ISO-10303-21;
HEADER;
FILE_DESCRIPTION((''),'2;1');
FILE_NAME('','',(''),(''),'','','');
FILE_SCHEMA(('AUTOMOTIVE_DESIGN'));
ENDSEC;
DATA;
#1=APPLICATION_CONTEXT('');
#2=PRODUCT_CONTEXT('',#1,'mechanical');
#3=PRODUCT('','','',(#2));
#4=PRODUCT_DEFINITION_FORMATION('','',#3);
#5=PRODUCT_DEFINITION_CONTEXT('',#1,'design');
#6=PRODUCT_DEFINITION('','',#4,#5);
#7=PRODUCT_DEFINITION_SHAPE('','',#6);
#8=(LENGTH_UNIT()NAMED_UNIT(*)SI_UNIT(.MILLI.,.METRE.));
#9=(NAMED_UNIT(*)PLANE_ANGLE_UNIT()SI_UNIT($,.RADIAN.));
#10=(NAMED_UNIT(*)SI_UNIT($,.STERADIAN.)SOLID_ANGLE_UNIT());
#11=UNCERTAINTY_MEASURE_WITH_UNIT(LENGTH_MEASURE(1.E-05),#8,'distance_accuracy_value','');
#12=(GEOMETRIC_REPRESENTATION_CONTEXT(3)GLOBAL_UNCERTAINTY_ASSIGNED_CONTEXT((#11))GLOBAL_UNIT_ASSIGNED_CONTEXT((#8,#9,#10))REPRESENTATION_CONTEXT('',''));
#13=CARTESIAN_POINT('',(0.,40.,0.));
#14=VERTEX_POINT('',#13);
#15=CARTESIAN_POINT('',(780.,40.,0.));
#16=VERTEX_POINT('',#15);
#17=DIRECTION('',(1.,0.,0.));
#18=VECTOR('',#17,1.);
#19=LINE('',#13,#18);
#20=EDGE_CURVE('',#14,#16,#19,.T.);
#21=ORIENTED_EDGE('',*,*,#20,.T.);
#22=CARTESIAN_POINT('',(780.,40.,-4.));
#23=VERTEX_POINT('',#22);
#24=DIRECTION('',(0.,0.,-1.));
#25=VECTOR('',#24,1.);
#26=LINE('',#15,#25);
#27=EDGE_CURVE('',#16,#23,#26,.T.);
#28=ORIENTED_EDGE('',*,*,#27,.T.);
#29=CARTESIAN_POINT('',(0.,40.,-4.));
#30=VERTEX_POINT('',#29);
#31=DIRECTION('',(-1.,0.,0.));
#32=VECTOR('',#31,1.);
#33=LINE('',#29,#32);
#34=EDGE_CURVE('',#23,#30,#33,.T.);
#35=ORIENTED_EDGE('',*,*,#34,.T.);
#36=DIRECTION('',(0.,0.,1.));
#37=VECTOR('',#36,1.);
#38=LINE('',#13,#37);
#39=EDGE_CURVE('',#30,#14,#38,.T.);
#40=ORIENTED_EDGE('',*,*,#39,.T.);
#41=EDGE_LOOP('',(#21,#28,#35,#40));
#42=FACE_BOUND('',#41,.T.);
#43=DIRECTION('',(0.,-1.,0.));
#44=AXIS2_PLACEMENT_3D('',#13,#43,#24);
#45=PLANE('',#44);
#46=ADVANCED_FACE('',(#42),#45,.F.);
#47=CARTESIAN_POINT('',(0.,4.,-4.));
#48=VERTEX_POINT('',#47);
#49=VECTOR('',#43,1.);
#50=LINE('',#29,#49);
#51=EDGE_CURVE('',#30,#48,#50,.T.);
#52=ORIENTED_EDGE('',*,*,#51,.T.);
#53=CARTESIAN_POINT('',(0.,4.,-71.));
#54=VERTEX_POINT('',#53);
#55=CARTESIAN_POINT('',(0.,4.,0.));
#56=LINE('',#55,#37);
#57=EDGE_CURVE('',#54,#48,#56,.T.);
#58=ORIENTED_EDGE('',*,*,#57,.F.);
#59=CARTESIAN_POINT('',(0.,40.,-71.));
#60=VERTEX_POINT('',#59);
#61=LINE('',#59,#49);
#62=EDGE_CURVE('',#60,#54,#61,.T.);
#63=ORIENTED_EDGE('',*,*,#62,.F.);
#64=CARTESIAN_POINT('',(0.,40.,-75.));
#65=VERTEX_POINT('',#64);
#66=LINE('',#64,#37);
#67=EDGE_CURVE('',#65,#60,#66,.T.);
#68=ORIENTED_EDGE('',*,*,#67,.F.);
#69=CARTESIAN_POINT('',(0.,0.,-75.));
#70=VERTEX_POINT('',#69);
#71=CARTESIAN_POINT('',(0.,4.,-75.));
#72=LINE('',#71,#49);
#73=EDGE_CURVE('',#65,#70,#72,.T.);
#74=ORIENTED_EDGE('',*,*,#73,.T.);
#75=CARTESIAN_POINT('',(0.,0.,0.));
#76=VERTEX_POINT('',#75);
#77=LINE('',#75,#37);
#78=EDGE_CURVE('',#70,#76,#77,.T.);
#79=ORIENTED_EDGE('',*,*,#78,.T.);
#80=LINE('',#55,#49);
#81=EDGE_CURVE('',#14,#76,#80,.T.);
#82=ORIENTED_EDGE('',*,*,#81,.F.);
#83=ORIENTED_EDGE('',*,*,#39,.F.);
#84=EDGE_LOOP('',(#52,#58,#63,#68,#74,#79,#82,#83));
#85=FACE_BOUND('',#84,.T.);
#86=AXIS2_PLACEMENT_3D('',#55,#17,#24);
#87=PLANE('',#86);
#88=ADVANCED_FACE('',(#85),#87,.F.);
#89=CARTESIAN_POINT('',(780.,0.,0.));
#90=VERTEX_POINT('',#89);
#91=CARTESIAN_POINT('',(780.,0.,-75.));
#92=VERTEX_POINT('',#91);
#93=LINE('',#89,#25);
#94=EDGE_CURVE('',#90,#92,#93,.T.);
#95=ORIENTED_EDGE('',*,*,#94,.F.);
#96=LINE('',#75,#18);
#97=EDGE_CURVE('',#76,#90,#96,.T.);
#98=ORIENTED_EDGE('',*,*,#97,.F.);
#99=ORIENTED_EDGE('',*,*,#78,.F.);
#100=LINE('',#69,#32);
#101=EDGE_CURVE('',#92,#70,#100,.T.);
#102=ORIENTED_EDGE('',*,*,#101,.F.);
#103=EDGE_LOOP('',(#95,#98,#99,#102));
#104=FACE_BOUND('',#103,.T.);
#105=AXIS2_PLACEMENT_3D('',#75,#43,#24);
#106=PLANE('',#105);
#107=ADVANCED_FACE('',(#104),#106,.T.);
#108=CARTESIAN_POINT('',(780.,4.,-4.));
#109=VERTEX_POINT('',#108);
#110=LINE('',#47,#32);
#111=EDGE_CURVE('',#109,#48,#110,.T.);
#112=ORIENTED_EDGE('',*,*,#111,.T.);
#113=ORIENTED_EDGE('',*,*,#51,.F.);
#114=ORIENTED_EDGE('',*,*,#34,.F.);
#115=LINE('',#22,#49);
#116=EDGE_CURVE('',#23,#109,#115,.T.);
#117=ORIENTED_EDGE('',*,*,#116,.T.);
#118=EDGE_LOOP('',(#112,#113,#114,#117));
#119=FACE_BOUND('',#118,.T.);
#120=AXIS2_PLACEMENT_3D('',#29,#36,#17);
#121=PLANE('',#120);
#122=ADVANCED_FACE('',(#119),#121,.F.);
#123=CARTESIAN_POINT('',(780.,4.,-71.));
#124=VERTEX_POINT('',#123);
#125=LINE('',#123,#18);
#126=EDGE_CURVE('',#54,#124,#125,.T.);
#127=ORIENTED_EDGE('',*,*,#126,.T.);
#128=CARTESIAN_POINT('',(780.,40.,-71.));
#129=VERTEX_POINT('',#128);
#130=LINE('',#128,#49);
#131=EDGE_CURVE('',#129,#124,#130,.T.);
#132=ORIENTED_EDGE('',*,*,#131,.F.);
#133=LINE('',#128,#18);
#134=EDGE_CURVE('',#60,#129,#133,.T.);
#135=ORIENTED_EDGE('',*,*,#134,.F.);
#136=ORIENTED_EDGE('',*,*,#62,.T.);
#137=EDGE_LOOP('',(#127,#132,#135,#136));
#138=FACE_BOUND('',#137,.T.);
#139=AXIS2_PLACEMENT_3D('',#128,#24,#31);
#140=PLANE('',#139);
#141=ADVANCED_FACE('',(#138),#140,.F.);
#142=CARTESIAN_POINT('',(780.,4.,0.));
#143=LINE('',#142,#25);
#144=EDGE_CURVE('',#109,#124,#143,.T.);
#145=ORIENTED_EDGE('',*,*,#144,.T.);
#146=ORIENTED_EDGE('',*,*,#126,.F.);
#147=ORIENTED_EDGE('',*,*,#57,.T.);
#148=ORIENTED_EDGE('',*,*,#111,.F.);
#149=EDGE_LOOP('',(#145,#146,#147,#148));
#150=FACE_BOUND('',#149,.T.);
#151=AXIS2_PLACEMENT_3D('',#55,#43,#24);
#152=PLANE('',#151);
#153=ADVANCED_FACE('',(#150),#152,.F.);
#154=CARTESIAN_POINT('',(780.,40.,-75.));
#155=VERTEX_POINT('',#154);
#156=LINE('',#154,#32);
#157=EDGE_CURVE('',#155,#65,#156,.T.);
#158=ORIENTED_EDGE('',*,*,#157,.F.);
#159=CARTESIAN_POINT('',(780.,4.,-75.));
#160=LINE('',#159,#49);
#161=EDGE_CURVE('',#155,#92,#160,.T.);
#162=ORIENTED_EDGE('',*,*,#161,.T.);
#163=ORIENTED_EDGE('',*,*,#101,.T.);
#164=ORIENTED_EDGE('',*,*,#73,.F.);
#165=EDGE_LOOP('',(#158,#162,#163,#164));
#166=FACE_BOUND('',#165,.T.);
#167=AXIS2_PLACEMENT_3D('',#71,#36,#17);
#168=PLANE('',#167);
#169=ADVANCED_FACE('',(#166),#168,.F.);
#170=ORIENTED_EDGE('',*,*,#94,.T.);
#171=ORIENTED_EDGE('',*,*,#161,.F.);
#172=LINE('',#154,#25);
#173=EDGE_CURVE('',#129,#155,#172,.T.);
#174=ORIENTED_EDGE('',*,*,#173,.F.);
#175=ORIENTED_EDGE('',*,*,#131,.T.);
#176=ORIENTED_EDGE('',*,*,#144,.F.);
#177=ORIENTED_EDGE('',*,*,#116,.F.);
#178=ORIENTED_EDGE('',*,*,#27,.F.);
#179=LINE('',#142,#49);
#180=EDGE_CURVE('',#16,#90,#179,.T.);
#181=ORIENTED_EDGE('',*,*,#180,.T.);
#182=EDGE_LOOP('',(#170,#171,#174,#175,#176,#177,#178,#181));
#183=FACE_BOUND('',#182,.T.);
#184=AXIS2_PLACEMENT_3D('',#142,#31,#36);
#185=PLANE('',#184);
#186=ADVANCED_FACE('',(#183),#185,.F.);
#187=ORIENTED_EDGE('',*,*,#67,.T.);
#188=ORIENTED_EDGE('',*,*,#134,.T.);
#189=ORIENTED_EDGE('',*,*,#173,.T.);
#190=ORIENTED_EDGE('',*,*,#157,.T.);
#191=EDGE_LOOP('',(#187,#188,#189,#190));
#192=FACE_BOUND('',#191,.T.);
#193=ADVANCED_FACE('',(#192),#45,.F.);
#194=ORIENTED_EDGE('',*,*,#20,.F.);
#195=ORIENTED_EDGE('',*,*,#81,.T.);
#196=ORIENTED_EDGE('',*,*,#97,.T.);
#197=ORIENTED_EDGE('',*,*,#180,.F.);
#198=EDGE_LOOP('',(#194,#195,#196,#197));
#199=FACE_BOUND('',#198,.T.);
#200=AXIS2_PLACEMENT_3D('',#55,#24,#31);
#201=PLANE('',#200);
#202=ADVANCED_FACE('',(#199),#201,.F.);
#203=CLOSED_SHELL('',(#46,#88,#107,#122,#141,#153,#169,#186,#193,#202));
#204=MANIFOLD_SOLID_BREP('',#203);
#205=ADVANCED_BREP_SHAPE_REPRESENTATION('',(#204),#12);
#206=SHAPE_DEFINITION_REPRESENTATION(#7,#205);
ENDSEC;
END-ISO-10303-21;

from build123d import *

# Parameters (mm, degrees)
SKETCH_1_W      = 780
SKETCH_1_H      = 75
EXTRUDE_1_DEPTH = 4
SKETCH_2_W      = 780
SKETCH_2_H      = 4
EXTRUDE_2_DEPTH = 36


with BuildPart() as part:
    # 스케치1 → 보스-돌출1 (new body)
    with BuildSketch(Plane(origin=(0, 0, 0), x_dir=(1, 0, 0), z_dir=(0, 1, 0))):
        with Locations((390, 37.5)):
            Rectangle(SKETCH_1_W, SKETCH_1_H)
    extrude(amount=EXTRUDE_1_DEPTH)

    # 스케치2 → 보스-돌출2 (add)
    with BuildSketch(Plane(origin=(0, 4, 0), x_dir=(1, 0, 0), z_dir=(0, 1, 0))):
        with Locations((390, 2)):
            Rectangle(SKETCH_2_W, SKETCH_2_H)
        with Locations((390, 73)):
            Rectangle(SKETCH_2_W, SKETCH_2_H)
    extrude(amount=EXTRUDE_2_DEPTH)


solid = part.part
